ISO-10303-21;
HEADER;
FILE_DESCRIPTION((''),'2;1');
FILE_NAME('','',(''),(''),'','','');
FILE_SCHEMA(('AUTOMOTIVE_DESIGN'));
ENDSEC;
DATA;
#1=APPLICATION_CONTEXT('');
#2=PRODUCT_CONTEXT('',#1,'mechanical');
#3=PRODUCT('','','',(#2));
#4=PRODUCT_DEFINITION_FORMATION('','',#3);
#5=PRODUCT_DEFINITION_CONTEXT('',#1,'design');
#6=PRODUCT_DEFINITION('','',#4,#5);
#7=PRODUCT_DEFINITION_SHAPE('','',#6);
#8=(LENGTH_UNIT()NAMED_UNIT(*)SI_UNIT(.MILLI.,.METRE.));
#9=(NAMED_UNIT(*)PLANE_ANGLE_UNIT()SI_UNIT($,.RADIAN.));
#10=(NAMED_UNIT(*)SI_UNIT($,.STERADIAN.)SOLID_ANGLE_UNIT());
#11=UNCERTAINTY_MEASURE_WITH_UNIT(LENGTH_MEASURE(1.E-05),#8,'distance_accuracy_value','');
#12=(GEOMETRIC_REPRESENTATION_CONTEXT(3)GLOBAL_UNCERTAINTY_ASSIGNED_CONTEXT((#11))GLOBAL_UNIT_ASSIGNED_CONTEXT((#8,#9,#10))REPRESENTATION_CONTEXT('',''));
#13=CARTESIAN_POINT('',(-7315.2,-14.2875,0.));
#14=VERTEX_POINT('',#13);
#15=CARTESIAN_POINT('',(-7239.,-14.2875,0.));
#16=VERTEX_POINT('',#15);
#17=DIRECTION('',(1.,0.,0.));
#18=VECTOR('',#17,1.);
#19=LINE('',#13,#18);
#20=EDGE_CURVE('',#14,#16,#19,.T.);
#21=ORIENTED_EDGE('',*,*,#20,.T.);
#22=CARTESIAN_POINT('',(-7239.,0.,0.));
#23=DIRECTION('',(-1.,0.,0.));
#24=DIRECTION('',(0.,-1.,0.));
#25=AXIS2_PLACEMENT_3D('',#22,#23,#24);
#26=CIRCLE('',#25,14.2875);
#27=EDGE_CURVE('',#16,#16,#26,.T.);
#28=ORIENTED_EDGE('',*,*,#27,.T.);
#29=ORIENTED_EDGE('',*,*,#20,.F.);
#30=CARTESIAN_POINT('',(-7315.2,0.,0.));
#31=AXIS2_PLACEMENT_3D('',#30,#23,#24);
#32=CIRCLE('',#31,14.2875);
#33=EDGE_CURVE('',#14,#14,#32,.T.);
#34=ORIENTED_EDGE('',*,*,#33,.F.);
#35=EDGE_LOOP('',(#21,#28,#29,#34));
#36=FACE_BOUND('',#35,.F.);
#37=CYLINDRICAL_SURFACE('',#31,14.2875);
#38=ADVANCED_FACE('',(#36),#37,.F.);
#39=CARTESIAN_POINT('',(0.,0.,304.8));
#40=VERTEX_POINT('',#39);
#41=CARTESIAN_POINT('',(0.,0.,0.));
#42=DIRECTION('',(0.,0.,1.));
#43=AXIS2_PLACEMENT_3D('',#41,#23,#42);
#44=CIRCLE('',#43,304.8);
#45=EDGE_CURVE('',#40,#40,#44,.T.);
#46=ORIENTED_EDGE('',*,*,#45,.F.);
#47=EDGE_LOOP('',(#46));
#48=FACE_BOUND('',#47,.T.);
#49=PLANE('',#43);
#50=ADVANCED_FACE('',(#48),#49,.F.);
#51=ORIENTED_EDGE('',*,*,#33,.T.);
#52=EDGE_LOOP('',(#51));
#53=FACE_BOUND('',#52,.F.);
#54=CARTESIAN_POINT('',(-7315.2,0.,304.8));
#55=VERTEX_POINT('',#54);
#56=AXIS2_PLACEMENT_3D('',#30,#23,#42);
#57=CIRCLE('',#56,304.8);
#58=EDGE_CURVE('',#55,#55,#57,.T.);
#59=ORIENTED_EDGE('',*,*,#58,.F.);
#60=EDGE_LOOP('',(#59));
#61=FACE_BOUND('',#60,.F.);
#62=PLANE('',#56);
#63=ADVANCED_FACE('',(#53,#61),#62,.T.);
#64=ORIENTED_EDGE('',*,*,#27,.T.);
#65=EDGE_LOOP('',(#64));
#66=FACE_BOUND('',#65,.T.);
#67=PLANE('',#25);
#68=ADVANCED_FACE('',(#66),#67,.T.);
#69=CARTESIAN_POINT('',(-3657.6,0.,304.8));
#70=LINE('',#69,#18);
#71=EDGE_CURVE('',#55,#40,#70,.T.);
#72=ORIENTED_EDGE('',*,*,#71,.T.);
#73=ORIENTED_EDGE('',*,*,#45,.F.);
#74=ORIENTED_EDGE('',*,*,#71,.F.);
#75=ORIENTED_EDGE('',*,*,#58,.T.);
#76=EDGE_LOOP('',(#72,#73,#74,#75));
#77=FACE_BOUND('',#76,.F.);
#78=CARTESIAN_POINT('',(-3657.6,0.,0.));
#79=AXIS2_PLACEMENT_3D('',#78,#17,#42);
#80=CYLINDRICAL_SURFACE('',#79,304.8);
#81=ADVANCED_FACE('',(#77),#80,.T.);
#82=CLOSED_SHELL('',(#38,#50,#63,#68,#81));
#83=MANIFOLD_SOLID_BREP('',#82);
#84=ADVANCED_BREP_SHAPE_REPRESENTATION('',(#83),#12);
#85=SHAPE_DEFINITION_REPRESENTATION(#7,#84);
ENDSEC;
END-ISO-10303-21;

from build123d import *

# Parameters (mm, degrees)
F0_W     = 7315.2
F0_H     = 304.8
F2_R     = 14.2875
F3_DEPTH = 76.2


with BuildPart() as f1:
    # F0 (on Front) → F1 (revolve)
    with BuildSketch(Plane.XZ):
        with Locations((-3657.6, 152.4)):
            Rectangle(F0_W, F0_H)
    revolve(axis=Axis((-3657.6, 0, 0), (-1, 0, 0)))

    # F2 (on face) → F3 (cut)
    with BuildSketch(Plane(origin=(-7315.2, 0, 0), x_dir=(0, -1, 0), z_dir=(-1, 0, 0))):
        Circle(F2_R)
    extrude(amount=-F3_DEPTH, mode=Mode.SUBTRACT)


solid = f1.part
